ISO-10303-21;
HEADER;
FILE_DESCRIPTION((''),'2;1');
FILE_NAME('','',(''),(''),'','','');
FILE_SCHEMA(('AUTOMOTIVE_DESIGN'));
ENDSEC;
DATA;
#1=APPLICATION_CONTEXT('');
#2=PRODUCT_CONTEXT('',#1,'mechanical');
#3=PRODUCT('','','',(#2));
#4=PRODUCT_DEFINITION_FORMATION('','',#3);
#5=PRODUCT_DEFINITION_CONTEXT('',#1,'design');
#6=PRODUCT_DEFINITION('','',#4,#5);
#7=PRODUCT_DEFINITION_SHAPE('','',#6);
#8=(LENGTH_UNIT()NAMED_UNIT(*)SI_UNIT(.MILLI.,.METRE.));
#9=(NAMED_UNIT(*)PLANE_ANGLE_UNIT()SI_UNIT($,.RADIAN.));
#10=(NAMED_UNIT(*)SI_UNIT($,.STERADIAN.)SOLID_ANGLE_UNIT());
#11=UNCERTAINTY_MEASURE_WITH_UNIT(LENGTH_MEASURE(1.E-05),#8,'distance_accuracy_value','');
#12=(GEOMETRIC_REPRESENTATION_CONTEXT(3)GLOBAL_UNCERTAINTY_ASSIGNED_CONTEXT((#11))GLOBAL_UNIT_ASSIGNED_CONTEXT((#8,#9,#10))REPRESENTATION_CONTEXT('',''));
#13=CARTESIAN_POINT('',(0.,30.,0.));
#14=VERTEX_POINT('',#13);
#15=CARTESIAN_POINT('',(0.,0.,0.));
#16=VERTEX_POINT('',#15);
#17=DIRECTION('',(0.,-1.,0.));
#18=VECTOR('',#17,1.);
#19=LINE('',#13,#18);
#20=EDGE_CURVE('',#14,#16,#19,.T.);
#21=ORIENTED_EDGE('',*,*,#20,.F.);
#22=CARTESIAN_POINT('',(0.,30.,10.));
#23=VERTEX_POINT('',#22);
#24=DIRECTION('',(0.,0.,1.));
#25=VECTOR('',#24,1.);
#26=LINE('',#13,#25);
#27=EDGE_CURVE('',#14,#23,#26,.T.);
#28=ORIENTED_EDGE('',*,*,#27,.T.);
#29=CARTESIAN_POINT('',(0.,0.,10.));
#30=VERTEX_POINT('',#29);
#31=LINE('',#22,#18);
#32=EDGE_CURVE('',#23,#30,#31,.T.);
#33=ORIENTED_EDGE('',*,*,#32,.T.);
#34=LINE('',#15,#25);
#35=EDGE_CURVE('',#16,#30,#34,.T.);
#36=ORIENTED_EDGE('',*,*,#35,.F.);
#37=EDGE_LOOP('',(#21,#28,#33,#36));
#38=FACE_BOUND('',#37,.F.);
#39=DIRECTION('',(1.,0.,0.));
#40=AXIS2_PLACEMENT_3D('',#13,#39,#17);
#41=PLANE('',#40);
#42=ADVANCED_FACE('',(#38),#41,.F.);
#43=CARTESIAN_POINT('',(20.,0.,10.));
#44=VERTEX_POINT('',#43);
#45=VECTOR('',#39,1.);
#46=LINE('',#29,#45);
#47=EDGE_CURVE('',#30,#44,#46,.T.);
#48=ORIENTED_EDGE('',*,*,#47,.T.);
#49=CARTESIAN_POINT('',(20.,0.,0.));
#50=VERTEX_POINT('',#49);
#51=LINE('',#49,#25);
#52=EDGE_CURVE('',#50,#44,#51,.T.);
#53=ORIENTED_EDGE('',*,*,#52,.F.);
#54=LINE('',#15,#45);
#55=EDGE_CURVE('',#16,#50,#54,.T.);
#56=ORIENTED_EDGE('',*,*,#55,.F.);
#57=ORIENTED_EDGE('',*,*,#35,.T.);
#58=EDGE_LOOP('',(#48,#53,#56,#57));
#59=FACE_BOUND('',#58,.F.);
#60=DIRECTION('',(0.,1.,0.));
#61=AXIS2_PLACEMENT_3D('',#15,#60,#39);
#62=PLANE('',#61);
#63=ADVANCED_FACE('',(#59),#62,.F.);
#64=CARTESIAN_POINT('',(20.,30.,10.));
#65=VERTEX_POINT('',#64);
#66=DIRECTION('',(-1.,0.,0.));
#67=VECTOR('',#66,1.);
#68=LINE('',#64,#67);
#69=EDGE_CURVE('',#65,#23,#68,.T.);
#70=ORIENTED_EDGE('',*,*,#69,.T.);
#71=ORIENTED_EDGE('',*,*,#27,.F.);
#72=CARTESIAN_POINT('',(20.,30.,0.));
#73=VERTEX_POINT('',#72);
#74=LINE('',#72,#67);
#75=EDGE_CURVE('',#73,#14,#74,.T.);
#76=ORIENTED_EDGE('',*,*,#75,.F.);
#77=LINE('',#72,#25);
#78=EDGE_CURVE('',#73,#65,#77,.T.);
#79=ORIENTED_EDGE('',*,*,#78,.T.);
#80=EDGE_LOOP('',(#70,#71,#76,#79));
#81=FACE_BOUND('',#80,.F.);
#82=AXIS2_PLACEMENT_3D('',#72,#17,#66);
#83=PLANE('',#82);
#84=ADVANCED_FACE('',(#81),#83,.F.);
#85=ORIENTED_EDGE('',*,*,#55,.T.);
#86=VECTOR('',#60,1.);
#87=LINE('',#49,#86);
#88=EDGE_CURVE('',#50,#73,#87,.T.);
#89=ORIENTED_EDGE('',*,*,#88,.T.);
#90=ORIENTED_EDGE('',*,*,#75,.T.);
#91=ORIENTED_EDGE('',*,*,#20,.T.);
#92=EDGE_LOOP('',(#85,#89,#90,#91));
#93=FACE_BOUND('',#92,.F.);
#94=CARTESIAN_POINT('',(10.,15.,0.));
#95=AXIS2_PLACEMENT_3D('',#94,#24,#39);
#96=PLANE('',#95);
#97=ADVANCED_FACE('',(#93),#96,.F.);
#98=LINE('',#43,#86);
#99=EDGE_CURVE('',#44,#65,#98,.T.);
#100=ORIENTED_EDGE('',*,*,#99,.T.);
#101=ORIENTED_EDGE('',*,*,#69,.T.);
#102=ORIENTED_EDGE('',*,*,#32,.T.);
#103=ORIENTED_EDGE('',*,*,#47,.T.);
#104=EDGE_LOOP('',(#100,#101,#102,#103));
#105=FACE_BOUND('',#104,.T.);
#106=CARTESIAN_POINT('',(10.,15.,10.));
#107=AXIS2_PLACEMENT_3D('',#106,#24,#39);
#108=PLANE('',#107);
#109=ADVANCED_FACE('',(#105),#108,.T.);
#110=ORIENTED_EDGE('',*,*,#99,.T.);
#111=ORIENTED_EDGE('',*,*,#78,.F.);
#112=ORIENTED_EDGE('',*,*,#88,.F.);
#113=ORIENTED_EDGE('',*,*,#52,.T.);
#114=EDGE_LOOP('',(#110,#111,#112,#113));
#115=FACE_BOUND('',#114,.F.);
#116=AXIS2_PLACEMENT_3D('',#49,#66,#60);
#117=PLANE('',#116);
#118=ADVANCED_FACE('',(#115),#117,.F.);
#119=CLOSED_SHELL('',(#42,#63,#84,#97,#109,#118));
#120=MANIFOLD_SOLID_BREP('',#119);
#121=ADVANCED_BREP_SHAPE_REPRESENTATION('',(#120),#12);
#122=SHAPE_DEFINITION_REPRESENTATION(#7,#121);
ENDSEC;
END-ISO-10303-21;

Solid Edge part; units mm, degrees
sketch "Sketch1" plane through (0, 0, 0) normal (0, 0, 1) x (1, 0, 0)
  line L0 (0, 0) -> (20, 0)
  line L1 (20, 0) -> (20, 30)
  line L2 (20, 30) -> (0, 30)
  line L3 (0, 30) -> (0, 0)
extrude "Protrusion1" add sketch "Sketch1" along normal blind 10
